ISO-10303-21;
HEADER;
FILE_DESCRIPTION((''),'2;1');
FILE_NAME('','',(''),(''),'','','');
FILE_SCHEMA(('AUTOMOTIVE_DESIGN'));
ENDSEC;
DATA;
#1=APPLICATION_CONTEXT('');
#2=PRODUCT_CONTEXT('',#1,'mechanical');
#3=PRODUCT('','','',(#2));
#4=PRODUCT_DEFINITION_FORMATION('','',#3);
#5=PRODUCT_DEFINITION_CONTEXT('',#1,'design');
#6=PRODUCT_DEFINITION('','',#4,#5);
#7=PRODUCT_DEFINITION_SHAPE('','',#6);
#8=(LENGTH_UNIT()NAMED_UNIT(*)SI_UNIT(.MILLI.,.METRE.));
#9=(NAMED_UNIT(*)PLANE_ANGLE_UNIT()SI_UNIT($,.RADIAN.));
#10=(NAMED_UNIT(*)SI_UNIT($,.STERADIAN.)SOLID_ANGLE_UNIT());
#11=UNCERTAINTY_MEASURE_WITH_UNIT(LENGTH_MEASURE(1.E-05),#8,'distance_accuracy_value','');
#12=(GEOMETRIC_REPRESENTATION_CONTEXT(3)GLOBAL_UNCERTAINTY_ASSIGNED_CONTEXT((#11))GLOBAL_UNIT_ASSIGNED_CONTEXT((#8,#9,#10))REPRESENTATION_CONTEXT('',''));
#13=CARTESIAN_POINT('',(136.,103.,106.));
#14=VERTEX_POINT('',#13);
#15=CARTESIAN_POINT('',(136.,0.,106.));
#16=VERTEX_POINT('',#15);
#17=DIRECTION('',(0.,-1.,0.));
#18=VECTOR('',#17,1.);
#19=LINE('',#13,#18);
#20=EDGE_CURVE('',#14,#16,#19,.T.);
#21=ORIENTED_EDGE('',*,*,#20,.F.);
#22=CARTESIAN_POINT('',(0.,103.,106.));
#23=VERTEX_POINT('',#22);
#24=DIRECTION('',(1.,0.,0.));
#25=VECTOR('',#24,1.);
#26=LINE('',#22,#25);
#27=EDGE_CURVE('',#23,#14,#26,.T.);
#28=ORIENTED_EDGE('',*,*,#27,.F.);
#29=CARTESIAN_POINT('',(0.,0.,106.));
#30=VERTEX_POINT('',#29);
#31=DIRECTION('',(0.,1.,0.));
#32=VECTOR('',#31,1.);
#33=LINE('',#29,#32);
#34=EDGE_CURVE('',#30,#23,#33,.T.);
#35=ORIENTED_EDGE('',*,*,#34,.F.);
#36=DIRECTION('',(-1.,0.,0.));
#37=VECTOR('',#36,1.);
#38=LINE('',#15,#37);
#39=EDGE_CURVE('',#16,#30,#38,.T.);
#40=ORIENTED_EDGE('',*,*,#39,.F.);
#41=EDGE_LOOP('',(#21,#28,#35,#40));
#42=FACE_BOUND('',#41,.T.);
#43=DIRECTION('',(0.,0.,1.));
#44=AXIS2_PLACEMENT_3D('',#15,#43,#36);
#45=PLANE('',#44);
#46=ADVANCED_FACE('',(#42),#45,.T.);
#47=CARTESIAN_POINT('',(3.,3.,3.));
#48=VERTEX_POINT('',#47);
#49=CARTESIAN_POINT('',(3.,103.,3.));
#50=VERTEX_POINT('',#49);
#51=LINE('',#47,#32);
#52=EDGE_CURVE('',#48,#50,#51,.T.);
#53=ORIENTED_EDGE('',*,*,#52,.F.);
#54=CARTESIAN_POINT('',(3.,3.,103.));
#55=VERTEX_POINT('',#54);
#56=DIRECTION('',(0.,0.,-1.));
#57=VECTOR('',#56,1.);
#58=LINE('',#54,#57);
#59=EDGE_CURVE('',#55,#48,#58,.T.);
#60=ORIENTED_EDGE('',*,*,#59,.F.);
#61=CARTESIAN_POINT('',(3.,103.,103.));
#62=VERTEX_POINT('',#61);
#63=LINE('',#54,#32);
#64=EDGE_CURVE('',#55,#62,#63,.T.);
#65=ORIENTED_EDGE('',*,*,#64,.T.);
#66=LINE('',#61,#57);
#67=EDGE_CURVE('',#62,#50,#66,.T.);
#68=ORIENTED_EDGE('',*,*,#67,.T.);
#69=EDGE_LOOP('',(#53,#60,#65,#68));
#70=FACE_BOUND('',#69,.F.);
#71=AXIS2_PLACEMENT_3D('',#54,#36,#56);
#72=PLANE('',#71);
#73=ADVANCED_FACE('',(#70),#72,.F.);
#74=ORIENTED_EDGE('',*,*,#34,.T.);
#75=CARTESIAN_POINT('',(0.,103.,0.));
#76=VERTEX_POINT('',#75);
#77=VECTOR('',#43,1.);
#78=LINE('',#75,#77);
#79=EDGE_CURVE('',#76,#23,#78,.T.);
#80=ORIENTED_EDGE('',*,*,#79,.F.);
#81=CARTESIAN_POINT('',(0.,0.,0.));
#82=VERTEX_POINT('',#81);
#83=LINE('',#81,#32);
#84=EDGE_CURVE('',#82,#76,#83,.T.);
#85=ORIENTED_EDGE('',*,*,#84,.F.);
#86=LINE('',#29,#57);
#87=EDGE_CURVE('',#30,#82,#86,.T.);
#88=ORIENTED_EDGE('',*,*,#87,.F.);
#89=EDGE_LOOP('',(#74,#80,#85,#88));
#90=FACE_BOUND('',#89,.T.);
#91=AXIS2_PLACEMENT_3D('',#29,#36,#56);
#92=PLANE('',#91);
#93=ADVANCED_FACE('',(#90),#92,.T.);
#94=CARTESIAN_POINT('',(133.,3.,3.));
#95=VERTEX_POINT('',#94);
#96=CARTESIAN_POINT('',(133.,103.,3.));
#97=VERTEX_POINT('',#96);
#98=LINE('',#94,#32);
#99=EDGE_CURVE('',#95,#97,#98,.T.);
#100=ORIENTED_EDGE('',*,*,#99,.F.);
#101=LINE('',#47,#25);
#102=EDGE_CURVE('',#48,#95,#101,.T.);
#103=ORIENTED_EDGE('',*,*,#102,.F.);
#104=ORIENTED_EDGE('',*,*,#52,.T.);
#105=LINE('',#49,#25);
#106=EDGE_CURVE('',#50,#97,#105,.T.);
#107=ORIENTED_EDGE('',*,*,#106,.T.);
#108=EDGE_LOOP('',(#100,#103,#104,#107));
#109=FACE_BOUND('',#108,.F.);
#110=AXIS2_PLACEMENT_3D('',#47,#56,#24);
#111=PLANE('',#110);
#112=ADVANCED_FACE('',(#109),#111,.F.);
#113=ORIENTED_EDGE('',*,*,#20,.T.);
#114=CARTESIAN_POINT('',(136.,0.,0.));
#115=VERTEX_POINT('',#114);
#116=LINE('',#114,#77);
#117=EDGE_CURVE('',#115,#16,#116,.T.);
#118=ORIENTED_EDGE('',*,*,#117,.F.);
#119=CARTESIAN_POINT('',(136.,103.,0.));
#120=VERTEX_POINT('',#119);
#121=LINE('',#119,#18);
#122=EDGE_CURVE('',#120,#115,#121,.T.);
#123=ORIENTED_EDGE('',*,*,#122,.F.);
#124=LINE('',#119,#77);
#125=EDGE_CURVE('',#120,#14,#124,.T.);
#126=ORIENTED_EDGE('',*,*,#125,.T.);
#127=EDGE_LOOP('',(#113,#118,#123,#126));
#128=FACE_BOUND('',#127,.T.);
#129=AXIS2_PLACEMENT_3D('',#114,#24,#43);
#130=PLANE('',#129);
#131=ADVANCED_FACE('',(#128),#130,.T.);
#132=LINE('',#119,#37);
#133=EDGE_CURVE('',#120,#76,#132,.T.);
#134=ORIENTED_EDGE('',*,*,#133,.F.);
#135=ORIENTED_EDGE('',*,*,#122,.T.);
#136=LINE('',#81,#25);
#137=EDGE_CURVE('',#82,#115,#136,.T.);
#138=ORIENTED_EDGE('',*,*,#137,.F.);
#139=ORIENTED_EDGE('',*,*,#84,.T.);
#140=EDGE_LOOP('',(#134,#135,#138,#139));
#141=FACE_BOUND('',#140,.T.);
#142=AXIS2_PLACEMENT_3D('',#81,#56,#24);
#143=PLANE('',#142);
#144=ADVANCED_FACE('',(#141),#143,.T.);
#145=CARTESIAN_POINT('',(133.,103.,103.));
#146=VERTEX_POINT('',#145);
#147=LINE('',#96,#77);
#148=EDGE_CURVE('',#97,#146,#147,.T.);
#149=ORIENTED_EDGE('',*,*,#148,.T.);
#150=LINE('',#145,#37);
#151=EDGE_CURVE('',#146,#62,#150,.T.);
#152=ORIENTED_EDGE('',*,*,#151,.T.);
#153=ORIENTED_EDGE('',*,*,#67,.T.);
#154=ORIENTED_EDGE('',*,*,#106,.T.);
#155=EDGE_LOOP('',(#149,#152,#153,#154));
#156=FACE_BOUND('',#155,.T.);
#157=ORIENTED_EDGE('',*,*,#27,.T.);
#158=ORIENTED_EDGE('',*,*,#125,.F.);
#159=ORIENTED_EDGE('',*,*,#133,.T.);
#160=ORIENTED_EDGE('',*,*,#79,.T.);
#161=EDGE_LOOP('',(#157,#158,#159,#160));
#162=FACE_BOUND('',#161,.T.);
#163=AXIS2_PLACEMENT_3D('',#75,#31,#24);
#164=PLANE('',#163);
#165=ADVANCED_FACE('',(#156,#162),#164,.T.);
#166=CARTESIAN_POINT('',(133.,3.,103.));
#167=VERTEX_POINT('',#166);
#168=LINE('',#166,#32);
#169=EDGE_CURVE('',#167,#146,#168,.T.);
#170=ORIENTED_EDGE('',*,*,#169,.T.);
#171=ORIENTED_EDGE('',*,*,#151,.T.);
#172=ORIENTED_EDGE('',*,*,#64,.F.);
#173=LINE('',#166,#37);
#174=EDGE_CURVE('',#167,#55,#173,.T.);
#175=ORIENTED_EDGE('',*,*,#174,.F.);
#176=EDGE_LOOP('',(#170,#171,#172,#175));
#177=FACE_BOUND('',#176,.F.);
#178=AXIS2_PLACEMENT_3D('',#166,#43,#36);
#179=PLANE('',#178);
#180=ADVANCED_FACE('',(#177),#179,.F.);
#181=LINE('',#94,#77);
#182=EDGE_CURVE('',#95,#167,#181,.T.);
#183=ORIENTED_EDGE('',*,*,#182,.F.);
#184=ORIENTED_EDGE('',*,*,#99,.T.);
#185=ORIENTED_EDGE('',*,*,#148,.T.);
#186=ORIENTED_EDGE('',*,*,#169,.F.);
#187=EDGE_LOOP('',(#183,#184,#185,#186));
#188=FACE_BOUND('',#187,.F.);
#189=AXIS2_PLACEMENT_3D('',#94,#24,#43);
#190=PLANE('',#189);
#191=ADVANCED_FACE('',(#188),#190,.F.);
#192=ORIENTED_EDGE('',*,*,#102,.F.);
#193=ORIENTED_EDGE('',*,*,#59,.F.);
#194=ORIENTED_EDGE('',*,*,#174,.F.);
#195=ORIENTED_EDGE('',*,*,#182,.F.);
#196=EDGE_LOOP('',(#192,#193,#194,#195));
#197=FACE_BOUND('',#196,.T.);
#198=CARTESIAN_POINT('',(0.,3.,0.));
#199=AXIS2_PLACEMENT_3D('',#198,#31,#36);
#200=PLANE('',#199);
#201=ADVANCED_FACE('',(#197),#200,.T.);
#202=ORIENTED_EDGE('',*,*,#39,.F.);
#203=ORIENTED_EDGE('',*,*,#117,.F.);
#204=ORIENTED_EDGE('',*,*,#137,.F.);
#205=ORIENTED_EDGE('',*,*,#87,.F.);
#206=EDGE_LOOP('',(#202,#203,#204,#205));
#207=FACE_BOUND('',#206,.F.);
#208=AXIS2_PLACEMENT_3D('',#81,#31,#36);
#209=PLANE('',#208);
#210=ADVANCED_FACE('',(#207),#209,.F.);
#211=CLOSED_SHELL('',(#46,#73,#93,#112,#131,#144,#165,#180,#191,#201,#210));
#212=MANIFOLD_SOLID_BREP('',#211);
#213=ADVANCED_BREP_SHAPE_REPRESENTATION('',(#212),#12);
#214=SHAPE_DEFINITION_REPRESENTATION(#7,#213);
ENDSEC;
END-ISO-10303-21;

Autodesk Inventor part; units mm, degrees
ref_plane "YZ Plane" through (0, 0, 0) normal (1, 0, 0) x (0, 1, 0)
ref_plane "XZ Plane" through (0, 0, 0) normal (0, 1, 0) x (-1, 0, 0)
ref_plane "XY Plane" through (0, 0, 0) normal (0, 0, 1) x (1, 0, 0)
sketch "Sketch1" plane through (0, 0, 0) normal (0, 1, 0) x (-1, 0, 0)
  line L0 (0, 0) -> (-136, 0)
  line L1 (-136, 0) -> (-136, 106)
  line L2 (-136, 106) -> (0, 106)
  line L3 (0, 106) -> (0, 0)
  dimension "d0" = 106
  dimension "d1" = 136
extrude "Extrusion1" add sketch "Sketch1" along normal blind 3
sketch "Sketch2" plane through (0, 3, 0) normal (0, 1, 0) x (1, 0, 0)
  line L0 (3, -3) -> (133, -3)
  line L1 (133, -3) -> (133, -103)
  line L2 (133, -103) -> (3, -103)
  line L3 (3, -103) -> (3, -3)
  line L4 (0, 0) -> (0, -106) projected
  line L5 (136, 0) -> (0, 0) projected
  line L6 (0, -106) -> (136, -106) projected
  line L7 (0, 0) -> (136, 0)
  line L8 (136, 0) -> (136, -106)
  line L9 (136, -106) -> (0, -106)
  line L10 (0, -106) -> (0, 0)
  dimension "d4" = 130
  dimension "d5" = 100
  dimension "d6" = 3
  dimension "d7" = 3
extrude "Extrusion2" add sketch "Sketch2" along normal blind 100
properties part number "case"
